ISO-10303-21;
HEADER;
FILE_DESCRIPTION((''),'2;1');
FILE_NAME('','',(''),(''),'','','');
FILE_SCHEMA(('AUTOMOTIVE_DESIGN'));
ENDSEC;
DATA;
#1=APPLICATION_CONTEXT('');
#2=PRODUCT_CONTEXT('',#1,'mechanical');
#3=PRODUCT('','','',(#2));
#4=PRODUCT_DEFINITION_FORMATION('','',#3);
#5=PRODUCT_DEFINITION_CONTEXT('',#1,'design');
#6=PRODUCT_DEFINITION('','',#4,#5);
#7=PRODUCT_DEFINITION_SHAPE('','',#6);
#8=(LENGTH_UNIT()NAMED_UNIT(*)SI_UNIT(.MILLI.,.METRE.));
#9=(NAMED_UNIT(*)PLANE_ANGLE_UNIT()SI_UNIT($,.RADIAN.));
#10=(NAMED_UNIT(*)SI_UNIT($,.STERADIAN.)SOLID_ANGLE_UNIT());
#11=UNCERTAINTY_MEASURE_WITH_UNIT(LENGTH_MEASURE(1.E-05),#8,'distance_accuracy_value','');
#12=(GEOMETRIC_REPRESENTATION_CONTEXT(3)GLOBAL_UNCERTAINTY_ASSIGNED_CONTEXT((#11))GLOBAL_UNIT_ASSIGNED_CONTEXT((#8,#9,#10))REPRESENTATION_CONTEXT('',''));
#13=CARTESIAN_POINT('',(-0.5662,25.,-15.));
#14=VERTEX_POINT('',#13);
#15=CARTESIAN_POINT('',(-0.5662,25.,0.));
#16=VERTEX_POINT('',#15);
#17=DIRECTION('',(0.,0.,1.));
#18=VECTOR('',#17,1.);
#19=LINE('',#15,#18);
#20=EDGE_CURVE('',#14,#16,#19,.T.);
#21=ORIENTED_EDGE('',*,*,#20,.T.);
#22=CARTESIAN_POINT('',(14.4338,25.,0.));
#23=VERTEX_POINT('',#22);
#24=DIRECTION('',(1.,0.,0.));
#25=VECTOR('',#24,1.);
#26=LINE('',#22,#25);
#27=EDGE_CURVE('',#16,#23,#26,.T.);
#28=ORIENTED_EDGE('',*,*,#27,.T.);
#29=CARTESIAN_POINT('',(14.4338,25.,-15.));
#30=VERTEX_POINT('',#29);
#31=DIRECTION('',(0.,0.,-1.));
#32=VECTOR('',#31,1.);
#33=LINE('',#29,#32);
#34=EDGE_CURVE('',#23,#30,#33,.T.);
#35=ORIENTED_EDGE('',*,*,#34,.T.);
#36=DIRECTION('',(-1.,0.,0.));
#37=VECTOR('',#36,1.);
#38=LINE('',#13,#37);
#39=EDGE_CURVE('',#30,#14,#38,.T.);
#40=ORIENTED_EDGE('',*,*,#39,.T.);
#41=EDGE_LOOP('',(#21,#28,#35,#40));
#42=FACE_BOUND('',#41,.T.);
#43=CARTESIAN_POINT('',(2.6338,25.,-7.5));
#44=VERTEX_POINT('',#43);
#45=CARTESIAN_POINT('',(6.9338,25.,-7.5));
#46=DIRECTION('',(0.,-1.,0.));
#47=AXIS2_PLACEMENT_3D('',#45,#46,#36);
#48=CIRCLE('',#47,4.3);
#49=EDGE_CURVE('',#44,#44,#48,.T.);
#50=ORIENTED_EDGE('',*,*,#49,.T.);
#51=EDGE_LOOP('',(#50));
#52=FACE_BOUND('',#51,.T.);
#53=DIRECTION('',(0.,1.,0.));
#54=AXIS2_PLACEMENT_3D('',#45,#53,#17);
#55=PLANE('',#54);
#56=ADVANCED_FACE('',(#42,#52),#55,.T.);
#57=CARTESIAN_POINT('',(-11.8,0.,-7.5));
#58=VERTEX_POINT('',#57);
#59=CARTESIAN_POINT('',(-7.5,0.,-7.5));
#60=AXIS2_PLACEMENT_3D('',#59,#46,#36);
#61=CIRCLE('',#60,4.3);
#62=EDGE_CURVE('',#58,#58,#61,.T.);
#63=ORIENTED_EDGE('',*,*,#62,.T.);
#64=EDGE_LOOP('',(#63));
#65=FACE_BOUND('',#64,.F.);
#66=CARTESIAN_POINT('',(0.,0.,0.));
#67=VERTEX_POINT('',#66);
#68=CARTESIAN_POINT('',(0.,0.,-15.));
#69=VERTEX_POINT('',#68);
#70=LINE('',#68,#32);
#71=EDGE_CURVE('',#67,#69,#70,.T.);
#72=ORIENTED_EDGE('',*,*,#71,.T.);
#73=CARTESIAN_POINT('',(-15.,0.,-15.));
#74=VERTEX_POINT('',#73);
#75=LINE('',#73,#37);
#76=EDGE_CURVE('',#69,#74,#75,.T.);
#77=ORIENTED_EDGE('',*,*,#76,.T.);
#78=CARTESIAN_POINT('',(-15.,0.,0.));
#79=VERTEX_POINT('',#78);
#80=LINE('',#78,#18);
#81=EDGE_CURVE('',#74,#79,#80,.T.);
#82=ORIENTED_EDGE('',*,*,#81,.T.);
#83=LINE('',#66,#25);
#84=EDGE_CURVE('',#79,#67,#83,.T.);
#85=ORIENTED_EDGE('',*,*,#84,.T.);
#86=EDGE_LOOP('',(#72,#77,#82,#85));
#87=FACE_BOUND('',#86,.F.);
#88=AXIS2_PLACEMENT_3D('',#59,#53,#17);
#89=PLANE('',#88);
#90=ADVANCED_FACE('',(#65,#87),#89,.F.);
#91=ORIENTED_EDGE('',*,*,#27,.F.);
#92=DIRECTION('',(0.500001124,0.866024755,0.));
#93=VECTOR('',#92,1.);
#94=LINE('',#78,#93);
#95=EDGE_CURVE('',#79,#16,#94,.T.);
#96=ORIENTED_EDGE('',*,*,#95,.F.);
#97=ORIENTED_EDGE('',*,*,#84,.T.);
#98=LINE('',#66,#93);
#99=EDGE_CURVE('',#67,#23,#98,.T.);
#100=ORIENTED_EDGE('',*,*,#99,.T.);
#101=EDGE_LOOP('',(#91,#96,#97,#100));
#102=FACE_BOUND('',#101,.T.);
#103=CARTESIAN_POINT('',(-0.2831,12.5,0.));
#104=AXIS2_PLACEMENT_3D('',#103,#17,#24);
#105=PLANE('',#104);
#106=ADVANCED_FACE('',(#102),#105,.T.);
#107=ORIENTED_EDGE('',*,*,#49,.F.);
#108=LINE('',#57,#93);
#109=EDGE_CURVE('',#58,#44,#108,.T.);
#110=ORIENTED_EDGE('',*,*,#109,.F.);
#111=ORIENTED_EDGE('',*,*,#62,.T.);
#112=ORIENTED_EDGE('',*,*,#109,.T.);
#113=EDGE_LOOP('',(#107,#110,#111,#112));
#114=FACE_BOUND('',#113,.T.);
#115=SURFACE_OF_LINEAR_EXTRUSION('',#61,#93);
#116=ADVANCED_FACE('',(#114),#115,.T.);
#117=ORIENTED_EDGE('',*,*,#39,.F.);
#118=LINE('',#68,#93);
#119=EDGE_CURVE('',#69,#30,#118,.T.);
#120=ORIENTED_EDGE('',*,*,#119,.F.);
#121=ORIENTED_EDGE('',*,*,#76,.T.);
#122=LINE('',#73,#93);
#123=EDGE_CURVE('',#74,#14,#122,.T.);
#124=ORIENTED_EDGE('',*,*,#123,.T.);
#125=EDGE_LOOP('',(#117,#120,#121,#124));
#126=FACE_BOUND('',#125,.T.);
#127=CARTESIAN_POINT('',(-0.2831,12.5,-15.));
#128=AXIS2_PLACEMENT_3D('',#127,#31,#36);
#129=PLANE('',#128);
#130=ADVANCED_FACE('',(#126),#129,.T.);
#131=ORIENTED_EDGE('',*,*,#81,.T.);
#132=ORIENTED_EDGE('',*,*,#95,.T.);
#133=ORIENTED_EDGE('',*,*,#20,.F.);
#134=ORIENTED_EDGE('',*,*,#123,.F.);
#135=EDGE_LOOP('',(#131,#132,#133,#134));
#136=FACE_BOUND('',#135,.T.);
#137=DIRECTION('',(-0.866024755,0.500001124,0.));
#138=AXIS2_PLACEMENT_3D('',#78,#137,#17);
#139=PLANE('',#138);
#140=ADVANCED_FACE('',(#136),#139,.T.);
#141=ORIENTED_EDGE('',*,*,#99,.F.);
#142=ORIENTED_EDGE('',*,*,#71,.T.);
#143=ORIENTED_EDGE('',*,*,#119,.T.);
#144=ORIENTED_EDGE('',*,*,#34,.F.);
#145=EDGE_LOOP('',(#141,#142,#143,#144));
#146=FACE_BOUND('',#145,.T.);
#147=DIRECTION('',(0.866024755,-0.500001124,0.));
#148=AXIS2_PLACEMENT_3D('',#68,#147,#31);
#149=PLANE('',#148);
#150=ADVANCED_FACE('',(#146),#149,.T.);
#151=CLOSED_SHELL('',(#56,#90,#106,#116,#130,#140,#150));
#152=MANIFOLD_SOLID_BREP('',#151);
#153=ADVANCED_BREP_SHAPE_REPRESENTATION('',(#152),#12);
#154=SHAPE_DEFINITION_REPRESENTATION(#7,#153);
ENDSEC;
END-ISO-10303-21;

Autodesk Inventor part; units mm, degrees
ref_plane "YZ Plane" through (0, 0, 0) normal (1, 0, 0) x (0, 1, 0)
ref_plane "XZ Plane" through (0, 0, 0) normal (0, 1, 0) x (-1, 0, 0)
ref_plane "XY Plane" through (0, 0, 0) normal (0, 0, 1) x (1, 0, 0)
sketch "Sketch1" plane through (0, 0, 0) normal (0, 1, 0) x (-1, 0, 0)
  line L0 (0, 0) -> (15, 0)
  line L1 (15, 0) -> (15, -15)
  line L2 (15, -15) -> (0, -15)
  line L3 (0, -15) -> (0, 0)
  circle A0 centre (7.5, -7.5) radius 4.3
  dimension "soporte_largo" = 15
  dimension "soporte_ancho" = 15
  dimension "soporte_hueco_diametro" = 8.6
  dimension "soporte_hueco_pos_ancho" = 7.5
  dimension "soporte_hueco_pos_largo" = 7.5
sketch "Sketch2" plane through (0, 0, 0) normal (0, 0, 1) x (1, 0, 0)
  line L0 (0, 0) -> (14.4338, 25)
  line L1 (0, 0) -> (28.8675, 0) construction
  dimension "soporte_inclinacion" = 60
  dimension "soporte_alterura" = 25
sweep "Sweep1" add profiles "Sketch1" path "Sketch2"
equation "\"soporte_hueco_pos_ancho\" = 0.5 * soporte_ancho"
equation "\"soporte_hueco_pos_largo\" = 0.5 * soporte_largo"
equation "\"tol1\" = 0.1"
equation "\"tol2\" = 0.2"
equation "\"tol3\" = 0.3"
equation "\"tol4\" = 0.4"
equation "\"tol5\" = 0.5"
equation "\"tol6\" = 0.6"
equation "\"tol7\" = 0.7"
equation "\"tol8\" = 0.8"
equation "\"tol9\" = 0.9"
equation "\"tol\" = 7"
properties part number "TestSoporte"
